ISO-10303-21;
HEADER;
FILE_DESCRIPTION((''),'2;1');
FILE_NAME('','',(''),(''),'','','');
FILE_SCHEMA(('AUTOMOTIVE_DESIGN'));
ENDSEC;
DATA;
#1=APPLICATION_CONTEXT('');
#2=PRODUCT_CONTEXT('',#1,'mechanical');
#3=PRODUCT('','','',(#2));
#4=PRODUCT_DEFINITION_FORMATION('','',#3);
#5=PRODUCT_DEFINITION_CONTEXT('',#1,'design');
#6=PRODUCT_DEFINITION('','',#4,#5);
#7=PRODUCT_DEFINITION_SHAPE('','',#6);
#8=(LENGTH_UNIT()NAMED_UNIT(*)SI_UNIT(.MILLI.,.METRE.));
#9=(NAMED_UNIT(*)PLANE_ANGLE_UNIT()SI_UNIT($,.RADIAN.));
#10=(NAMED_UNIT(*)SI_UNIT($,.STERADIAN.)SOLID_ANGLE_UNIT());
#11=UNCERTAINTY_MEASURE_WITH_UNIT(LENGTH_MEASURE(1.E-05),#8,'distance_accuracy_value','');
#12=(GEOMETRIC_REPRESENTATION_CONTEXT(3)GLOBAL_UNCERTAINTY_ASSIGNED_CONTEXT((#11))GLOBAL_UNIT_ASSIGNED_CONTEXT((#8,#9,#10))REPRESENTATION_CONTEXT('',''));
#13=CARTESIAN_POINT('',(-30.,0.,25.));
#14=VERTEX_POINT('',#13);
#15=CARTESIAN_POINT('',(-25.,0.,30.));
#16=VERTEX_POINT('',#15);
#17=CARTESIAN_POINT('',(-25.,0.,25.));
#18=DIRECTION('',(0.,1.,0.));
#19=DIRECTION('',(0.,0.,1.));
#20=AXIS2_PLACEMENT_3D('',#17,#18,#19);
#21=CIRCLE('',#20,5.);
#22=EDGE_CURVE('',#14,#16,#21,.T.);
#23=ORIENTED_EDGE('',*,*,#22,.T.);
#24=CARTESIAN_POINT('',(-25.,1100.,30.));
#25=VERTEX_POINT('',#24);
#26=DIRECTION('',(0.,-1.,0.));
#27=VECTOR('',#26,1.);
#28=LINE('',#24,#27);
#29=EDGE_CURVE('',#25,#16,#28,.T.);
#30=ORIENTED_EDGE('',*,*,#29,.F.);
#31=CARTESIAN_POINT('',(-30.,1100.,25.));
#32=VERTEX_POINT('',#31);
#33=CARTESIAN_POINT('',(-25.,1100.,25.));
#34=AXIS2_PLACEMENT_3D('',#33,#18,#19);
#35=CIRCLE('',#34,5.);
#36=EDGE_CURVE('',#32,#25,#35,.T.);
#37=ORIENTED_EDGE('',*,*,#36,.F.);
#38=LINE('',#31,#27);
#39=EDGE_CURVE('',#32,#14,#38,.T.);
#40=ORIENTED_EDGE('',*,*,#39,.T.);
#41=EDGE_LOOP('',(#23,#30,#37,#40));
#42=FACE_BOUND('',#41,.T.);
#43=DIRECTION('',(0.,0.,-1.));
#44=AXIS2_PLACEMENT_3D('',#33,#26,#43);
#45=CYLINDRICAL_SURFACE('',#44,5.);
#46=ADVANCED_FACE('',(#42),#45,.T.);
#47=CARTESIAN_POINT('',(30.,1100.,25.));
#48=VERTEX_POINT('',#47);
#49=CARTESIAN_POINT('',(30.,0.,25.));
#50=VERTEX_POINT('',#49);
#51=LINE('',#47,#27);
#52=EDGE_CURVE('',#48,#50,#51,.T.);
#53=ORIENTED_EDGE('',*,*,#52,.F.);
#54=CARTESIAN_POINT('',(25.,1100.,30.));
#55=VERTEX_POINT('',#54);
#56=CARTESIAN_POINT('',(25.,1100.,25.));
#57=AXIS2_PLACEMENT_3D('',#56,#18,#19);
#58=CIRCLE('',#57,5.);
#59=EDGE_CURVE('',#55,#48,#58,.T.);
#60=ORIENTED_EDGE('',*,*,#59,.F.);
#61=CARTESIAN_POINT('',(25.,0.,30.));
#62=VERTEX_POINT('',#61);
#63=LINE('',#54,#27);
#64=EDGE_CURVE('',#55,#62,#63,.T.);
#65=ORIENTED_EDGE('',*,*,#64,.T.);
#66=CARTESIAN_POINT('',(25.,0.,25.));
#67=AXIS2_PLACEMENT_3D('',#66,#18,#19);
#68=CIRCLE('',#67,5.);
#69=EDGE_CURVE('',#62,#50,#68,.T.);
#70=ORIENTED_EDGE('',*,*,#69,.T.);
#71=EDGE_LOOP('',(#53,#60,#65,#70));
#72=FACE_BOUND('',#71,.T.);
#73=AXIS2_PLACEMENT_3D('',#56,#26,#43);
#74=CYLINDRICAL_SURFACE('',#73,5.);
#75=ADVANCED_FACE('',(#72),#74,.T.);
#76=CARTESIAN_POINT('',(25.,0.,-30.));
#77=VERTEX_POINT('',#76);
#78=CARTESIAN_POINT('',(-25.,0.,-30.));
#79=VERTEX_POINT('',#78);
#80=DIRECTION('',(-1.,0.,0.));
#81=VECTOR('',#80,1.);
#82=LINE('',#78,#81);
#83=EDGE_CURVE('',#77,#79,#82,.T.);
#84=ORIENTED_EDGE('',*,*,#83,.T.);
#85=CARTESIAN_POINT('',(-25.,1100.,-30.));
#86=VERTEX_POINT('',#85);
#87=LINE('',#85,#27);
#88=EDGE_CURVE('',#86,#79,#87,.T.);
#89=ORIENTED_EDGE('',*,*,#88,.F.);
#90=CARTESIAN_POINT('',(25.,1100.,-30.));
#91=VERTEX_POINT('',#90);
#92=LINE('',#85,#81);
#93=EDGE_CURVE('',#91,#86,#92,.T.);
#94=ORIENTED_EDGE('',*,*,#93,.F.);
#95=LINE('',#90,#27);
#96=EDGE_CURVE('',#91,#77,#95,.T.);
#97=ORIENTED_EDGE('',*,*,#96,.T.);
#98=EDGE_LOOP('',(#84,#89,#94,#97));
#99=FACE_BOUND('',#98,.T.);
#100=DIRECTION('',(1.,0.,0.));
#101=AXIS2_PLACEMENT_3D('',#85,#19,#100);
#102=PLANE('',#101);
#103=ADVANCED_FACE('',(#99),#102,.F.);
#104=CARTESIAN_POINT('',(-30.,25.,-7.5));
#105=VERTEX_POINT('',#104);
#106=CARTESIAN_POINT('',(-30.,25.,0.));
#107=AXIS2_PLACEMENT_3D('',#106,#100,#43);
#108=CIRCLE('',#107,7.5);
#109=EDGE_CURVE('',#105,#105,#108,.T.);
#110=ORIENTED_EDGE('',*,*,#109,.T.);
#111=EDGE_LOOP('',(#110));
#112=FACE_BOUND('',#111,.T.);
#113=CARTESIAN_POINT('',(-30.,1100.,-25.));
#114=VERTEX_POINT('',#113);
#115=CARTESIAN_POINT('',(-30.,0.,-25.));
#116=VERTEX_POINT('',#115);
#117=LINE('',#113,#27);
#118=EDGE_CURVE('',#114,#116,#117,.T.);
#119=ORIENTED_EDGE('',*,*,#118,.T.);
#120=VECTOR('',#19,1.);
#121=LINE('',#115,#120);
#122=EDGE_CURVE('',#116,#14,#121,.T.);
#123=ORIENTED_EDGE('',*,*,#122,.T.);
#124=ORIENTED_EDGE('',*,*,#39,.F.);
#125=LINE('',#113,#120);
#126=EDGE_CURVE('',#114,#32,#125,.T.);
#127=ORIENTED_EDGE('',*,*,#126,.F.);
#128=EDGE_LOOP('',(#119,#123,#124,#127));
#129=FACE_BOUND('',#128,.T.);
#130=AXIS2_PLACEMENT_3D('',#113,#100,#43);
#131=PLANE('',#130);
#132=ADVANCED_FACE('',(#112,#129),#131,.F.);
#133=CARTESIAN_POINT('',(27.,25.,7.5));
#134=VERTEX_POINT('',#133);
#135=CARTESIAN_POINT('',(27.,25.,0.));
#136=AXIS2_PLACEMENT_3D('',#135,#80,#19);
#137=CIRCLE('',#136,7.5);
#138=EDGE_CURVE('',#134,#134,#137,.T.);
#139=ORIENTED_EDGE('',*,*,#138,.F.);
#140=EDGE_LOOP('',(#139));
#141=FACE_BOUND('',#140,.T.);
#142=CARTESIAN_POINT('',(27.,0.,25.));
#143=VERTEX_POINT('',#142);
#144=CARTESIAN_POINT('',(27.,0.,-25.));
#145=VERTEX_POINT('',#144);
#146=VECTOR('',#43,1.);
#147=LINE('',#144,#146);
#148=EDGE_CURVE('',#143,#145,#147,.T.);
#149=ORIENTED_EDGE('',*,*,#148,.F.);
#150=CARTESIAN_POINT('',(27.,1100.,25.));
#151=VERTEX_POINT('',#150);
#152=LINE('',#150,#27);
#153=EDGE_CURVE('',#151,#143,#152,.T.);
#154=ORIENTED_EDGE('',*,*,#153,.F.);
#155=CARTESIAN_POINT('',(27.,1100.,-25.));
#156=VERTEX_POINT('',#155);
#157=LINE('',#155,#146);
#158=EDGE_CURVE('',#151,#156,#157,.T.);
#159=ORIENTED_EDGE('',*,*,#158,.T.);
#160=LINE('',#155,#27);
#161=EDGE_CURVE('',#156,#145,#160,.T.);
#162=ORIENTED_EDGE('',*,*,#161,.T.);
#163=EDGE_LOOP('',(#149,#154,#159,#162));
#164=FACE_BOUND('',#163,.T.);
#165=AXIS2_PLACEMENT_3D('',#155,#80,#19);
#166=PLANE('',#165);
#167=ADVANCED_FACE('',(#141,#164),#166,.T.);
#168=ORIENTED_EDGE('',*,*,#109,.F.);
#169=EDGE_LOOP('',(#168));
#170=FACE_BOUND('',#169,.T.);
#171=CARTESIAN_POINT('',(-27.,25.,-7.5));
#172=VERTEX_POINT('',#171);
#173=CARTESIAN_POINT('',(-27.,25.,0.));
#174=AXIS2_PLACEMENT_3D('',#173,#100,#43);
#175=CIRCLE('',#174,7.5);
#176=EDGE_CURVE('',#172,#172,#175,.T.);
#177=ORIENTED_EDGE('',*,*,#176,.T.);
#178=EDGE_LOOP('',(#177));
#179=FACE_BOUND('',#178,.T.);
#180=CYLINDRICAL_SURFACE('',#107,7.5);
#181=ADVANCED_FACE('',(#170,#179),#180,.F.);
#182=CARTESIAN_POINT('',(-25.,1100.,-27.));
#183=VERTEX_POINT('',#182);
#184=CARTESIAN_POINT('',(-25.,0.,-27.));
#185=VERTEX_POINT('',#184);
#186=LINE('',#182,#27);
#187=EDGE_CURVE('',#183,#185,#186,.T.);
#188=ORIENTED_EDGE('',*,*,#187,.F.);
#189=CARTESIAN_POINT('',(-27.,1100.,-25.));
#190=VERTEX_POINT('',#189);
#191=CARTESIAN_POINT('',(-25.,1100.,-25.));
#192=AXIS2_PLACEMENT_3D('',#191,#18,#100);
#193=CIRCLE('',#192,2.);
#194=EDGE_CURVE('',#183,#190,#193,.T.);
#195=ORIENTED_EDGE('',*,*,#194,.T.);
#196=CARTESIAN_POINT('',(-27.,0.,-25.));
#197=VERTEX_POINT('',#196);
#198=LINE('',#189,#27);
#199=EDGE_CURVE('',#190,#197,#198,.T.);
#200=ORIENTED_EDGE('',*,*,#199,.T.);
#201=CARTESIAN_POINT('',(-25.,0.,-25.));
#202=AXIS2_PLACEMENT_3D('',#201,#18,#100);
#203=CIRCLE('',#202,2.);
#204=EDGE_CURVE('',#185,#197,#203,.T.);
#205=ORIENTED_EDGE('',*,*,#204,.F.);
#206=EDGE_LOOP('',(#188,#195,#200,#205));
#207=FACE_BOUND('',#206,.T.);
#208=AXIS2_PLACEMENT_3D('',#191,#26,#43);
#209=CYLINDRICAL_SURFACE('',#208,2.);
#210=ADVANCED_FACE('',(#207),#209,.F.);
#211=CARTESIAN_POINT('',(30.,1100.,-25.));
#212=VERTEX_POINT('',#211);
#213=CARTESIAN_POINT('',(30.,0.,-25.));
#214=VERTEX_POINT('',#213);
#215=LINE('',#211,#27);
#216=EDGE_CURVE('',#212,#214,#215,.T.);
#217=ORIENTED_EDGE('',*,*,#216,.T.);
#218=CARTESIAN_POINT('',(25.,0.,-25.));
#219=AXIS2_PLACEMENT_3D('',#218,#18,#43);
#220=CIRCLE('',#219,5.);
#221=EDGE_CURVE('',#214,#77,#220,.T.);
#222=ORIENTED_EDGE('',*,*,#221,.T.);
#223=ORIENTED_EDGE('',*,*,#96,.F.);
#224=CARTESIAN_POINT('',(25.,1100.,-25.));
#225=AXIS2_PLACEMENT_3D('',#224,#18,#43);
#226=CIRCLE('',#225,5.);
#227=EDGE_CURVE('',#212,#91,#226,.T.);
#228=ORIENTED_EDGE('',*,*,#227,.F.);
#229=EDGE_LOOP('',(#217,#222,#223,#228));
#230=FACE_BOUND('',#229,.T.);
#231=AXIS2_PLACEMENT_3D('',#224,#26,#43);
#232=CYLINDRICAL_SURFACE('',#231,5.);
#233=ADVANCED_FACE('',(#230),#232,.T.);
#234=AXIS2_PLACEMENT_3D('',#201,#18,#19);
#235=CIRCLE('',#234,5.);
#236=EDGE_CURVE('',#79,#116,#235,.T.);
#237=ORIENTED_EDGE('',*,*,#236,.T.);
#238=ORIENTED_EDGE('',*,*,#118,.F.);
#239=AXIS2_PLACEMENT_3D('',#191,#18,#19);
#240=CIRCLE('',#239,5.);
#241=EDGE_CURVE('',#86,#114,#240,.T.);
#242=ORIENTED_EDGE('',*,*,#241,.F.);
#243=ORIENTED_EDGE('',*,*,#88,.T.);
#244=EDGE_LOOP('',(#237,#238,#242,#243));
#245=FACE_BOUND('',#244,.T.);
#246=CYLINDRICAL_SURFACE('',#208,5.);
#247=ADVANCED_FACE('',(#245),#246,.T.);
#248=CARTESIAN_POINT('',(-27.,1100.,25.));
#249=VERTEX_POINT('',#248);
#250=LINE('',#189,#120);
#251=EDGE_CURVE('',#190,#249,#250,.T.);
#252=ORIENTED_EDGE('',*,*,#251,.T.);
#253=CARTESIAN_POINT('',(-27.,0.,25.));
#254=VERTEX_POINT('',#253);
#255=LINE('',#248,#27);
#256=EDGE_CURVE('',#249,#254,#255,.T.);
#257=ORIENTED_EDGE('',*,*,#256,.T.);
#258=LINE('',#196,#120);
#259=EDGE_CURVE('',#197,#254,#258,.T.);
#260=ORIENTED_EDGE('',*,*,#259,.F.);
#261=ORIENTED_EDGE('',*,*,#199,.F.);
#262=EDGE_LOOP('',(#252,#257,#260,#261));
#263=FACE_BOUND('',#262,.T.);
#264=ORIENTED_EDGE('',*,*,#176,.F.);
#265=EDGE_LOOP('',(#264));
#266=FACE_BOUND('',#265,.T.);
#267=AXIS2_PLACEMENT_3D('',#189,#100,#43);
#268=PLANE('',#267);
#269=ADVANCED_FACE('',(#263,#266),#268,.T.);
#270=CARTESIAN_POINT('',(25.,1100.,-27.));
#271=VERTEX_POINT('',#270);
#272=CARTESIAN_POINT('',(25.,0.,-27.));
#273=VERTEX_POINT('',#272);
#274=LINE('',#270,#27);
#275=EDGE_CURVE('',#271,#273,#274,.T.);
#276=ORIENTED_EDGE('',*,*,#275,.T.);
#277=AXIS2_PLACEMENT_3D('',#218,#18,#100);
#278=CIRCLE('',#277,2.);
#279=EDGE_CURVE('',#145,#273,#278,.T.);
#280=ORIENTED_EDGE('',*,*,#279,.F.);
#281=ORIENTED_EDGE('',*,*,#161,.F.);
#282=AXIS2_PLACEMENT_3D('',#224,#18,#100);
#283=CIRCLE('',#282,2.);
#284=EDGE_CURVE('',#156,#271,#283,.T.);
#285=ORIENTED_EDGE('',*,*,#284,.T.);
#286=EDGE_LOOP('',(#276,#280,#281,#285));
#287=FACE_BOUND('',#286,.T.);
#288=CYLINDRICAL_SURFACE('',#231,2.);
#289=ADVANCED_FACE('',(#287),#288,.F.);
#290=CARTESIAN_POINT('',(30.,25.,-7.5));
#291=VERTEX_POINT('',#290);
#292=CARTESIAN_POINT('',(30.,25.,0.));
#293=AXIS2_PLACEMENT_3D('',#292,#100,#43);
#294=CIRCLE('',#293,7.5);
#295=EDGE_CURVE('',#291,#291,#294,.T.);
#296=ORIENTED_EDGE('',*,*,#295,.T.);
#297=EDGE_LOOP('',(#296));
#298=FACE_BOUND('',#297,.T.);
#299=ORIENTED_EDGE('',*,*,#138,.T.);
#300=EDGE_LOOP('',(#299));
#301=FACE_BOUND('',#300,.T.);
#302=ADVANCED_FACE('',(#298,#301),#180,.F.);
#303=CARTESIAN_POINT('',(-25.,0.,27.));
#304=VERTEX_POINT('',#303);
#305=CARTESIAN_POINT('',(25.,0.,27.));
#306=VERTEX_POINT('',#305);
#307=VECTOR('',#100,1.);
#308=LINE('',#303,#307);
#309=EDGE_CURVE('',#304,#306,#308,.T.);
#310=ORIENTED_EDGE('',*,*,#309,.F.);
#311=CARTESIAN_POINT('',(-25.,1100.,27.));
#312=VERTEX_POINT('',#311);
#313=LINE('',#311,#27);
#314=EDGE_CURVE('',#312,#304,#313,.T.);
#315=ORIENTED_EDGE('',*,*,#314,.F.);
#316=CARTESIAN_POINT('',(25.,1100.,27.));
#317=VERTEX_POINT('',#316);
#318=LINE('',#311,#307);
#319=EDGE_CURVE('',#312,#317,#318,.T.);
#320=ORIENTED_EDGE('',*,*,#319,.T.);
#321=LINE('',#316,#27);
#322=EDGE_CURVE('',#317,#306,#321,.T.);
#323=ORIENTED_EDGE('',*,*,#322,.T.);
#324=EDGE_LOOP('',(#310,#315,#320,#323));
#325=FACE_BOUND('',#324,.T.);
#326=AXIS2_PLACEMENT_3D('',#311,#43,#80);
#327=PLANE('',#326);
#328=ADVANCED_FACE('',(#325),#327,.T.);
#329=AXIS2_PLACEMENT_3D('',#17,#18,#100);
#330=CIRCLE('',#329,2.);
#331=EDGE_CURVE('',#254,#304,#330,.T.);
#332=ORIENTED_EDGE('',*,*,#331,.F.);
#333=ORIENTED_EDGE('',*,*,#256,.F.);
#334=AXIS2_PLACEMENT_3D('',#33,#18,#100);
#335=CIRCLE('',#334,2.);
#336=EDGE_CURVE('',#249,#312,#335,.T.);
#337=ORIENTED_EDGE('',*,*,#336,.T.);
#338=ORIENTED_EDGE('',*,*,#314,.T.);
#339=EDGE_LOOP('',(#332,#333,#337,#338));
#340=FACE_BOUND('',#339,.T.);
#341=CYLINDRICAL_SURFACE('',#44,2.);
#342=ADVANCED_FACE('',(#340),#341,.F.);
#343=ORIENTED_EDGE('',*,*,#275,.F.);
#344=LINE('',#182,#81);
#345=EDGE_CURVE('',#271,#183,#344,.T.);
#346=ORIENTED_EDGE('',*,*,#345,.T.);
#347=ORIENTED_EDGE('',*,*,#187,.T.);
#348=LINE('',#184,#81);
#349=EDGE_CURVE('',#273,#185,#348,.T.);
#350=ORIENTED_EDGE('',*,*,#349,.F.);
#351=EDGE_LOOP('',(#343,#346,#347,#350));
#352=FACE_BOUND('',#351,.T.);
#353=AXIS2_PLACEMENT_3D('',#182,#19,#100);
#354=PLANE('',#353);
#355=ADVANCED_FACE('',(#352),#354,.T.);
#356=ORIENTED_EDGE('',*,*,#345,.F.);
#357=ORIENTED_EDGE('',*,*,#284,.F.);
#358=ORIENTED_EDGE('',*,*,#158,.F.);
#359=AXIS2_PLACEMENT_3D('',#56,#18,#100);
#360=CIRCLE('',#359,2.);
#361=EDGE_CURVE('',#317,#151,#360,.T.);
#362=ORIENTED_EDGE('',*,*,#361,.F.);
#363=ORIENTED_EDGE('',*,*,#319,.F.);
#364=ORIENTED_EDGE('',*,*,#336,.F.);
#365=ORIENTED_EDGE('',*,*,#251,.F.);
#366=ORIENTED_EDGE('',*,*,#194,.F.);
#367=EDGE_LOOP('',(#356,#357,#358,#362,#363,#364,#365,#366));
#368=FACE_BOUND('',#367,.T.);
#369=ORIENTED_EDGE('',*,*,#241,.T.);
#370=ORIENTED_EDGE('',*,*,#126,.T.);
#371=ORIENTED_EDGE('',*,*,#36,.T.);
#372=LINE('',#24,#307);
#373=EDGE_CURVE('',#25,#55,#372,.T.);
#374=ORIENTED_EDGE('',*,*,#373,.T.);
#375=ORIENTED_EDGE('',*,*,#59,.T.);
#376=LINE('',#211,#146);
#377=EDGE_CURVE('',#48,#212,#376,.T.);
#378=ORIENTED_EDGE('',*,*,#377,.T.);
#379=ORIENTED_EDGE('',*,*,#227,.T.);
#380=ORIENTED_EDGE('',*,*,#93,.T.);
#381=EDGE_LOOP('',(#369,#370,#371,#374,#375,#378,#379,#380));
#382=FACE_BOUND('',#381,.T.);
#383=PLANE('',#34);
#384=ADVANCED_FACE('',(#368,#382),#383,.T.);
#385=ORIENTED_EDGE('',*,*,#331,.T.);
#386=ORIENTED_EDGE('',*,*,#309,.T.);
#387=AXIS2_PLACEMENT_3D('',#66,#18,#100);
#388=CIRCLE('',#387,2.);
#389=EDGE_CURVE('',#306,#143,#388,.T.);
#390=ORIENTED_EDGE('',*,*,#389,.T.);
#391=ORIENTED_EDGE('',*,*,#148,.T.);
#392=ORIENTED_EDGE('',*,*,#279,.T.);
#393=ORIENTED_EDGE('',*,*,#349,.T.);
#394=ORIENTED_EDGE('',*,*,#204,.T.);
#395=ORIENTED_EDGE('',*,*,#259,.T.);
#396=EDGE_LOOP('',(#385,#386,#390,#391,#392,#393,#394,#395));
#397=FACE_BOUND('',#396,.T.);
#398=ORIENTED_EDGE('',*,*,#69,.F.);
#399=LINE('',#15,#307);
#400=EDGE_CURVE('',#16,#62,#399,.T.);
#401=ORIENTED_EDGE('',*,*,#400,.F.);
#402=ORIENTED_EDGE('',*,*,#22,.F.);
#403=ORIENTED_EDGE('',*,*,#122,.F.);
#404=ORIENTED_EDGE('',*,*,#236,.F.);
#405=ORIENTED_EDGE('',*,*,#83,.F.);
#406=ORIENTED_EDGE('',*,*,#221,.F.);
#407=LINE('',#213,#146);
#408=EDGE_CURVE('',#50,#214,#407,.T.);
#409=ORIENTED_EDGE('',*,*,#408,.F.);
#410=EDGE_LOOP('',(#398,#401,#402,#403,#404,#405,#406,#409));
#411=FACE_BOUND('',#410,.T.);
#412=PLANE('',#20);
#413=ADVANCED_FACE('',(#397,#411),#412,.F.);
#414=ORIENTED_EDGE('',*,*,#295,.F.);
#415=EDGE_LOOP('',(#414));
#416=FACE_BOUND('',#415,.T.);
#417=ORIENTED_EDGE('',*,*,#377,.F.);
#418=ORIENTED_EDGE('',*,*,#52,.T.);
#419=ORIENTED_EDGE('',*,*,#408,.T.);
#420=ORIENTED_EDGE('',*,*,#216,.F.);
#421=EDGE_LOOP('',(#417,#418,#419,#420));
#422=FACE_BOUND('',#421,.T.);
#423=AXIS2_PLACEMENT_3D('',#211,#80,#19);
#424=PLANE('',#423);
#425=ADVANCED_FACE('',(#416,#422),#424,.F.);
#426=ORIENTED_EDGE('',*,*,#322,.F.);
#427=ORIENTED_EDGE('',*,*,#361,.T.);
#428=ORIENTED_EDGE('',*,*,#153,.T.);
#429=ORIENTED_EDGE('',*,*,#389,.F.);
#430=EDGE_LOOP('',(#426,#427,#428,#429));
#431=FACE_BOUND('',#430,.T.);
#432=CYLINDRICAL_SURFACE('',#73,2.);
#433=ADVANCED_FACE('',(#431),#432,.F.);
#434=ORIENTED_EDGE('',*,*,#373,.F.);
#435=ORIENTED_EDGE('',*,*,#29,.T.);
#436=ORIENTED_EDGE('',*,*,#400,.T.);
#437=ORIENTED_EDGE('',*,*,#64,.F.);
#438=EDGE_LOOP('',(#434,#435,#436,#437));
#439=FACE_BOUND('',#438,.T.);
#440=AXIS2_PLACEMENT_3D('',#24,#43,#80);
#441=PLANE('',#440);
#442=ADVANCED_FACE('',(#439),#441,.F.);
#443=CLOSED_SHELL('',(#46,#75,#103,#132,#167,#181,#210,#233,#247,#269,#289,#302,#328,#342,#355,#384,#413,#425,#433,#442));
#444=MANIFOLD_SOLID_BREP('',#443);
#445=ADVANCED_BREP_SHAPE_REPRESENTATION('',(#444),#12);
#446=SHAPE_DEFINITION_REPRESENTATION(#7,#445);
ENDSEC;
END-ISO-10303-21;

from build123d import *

# Parameters (mm, degrees)
EXTRUDE_1_DEPTH     = 1100
SKETCH_2_R          = 7.5
CUT_EXTRUDE_1_DEPTH = 61


with BuildPart() as part:
    # Эскиз1 → Вытянуть-Тонкостенный1 (new body)
    with BuildSketch(Plane(origin=(0, 0, 0), x_dir=(1, 0, 0), z_dir=(0, 1, 0))):
        with BuildLine():
            Line((-25, 30), (25, 30))
            ThreePointArc((25, 30), (28.535533906, 28.535533906), (30, 25))
            Line((30, 25), (30, -25))
            ThreePointArc((30, -25), (28.535533906, -28.535533906), (25, -30))
            Line((25, -30), (-25, -30))
            ThreePointArc((-25, -30), (-28.535533906, -28.535533906), (-30, -25))
            Line((-30, -25), (-30, 25))
            ThreePointArc((-30, 25), (-28.535533906, 28.535533906), (-25, 30))
        make_face()
        with BuildLine():
            Line((-25, 27), (25, 27))
            ThreePointArc((25, 27), (26.414213562, 26.414213562), (27, 25))
            Line((27, 25), (27, -25))
            ThreePointArc((27, -25), (26.414213562, -26.414213562), (25, -27))
            Line((25, -27), (-25, -27))
            ThreePointArc((-25, -27), (-26.414213562, -26.414213562), (-27, -25))
            Line((-27, -25), (-27, 25))
            ThreePointArc((-27, 25), (-26.414213562, 26.414213562), (-25, 27))
        make_face(mode=Mode.SUBTRACT)
    extrude(amount=EXTRUDE_1_DEPTH)

    # Эскиз2 → Вырез-Вытянуть1 (cut, through all)
    with BuildSketch(Plane(origin=(30, 0, 0), x_dir=(0, 0, -1), z_dir=(1, 0, 0))):
        with Locations((0, 25)):
            Circle(SKETCH_2_R)
    extrude(amount=-CUT_EXTRUDE_1_DEPTH, mode=Mode.SUBTRACT)


solid = part.part
